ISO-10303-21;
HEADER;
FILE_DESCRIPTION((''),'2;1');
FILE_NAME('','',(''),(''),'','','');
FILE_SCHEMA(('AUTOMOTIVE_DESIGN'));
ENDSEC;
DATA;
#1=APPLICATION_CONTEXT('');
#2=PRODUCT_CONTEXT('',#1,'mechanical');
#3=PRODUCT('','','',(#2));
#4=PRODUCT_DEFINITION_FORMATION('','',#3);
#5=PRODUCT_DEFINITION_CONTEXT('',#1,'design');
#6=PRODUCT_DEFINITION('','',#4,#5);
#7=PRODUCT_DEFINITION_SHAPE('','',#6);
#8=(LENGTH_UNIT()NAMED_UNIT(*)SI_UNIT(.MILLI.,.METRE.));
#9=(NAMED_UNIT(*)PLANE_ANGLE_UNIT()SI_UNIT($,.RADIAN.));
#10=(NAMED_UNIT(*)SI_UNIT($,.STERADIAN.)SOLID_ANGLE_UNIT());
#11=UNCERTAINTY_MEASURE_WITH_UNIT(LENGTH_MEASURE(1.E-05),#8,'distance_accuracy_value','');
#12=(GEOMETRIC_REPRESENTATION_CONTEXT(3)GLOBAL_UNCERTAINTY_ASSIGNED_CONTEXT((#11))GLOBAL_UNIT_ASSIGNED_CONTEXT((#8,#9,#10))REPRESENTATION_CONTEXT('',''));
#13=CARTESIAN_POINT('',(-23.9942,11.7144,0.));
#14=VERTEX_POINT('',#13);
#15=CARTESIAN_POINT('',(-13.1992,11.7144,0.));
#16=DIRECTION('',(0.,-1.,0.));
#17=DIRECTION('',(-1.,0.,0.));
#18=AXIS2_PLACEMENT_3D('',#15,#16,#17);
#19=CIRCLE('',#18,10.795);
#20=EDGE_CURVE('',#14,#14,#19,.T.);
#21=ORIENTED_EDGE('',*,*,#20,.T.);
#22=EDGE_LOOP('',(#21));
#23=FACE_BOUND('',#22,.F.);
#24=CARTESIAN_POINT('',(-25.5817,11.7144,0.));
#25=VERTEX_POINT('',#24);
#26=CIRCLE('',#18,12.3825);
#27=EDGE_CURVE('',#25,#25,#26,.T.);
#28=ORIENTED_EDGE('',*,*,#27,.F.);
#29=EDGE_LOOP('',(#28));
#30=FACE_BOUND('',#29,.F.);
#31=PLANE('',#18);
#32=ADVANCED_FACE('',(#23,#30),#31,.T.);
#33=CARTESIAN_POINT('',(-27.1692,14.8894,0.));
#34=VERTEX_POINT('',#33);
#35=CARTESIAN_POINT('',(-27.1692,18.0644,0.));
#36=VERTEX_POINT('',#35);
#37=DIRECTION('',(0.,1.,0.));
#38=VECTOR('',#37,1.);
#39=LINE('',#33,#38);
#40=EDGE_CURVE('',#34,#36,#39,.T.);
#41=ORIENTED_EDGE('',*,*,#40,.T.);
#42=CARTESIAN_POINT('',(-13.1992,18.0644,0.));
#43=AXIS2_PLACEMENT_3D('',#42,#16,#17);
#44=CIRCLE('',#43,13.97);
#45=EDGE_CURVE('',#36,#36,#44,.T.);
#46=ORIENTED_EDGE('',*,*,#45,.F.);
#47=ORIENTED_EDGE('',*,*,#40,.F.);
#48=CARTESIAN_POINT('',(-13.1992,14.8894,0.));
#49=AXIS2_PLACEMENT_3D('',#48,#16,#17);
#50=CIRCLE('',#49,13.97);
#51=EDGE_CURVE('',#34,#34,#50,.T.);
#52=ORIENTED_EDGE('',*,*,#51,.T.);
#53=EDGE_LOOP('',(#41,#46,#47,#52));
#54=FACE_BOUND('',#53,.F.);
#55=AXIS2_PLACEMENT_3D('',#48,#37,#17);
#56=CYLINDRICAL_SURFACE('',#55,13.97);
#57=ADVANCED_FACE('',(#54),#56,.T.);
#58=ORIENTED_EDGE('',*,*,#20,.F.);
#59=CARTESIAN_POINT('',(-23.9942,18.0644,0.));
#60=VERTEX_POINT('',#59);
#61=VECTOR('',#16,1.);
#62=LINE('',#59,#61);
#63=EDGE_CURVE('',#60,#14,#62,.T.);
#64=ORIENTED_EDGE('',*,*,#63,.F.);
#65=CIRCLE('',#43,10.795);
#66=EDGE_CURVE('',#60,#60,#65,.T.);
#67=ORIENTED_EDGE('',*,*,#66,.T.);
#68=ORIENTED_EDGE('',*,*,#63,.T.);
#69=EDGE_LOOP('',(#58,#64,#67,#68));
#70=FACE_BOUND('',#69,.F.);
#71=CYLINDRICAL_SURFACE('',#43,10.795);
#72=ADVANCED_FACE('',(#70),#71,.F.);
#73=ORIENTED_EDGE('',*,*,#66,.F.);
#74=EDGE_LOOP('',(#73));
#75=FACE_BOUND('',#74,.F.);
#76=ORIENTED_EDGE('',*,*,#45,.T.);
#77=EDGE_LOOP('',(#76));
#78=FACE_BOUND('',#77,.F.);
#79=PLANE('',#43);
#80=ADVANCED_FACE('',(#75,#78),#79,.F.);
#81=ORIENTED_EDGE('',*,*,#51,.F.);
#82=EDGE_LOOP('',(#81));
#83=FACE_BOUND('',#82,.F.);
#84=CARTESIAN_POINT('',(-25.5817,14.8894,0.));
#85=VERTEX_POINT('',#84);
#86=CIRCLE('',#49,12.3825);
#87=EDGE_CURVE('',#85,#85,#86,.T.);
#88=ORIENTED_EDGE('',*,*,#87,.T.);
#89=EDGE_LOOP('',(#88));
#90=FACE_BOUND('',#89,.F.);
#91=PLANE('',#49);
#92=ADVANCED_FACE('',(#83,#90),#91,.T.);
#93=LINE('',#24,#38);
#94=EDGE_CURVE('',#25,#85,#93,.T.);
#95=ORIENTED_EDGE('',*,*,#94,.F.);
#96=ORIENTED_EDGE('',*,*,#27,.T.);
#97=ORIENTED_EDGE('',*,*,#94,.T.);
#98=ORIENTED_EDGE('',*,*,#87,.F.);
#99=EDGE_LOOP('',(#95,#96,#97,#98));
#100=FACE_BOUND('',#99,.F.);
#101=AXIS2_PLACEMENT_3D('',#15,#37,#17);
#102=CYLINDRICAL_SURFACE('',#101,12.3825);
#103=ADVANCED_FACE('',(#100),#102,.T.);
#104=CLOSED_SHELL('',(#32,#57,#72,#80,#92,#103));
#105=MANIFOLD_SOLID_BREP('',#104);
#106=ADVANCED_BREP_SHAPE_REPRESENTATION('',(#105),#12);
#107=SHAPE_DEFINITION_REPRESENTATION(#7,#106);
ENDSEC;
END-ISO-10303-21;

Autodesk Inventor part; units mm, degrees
ref_plane "YZ Plane" through (0, 0, 0) normal (1, 0, 0) x (0, 1, 0)
ref_plane "XZ Plane" through (0, 0, 0) normal (0, 1, 0) x (-1, 0, 0)
ref_plane "XY Plane" through (0, 0, 0) normal (0, 0, 1) x (1, 0, 0)
sketch "Sketch1" plane through (0, 0, 0) normal (0, 0, 1) x (1, 0, 0)
  line L0 (-27.1692, 18.0644) -> (-23.9942, 18.0644)
  line L1 (-23.9942, 18.0644) -> (-23.9942, 11.7144)
  line L2 (-23.9942, 11.7144) -> (-25.5817, 11.7144)
  line L3 (-25.5817, 11.7144) -> (-25.5817, 14.8894)
  line L4 (-25.5817, 14.8894) -> (-27.1692, 14.8894)
  line L5 (-27.1692, 14.8894) -> (-27.1692, 18.0644)
  line L6 (-13.1992, 23.4202) -> (-13.1992, 2.3302)
  point P0 (0, 0)
  dimension "d0" = 3.175
  dimension "d1" = 3.175
  dimension "d4" = 13.97
  dimension "d6" = 3.175
revolve "Revolution1" add sketch "Sketch1" angle 360 about axis through (-13.1992, 23.4202, 0) along (0, -1, 0)
properties part number "Regulator Ring 2 1764"
